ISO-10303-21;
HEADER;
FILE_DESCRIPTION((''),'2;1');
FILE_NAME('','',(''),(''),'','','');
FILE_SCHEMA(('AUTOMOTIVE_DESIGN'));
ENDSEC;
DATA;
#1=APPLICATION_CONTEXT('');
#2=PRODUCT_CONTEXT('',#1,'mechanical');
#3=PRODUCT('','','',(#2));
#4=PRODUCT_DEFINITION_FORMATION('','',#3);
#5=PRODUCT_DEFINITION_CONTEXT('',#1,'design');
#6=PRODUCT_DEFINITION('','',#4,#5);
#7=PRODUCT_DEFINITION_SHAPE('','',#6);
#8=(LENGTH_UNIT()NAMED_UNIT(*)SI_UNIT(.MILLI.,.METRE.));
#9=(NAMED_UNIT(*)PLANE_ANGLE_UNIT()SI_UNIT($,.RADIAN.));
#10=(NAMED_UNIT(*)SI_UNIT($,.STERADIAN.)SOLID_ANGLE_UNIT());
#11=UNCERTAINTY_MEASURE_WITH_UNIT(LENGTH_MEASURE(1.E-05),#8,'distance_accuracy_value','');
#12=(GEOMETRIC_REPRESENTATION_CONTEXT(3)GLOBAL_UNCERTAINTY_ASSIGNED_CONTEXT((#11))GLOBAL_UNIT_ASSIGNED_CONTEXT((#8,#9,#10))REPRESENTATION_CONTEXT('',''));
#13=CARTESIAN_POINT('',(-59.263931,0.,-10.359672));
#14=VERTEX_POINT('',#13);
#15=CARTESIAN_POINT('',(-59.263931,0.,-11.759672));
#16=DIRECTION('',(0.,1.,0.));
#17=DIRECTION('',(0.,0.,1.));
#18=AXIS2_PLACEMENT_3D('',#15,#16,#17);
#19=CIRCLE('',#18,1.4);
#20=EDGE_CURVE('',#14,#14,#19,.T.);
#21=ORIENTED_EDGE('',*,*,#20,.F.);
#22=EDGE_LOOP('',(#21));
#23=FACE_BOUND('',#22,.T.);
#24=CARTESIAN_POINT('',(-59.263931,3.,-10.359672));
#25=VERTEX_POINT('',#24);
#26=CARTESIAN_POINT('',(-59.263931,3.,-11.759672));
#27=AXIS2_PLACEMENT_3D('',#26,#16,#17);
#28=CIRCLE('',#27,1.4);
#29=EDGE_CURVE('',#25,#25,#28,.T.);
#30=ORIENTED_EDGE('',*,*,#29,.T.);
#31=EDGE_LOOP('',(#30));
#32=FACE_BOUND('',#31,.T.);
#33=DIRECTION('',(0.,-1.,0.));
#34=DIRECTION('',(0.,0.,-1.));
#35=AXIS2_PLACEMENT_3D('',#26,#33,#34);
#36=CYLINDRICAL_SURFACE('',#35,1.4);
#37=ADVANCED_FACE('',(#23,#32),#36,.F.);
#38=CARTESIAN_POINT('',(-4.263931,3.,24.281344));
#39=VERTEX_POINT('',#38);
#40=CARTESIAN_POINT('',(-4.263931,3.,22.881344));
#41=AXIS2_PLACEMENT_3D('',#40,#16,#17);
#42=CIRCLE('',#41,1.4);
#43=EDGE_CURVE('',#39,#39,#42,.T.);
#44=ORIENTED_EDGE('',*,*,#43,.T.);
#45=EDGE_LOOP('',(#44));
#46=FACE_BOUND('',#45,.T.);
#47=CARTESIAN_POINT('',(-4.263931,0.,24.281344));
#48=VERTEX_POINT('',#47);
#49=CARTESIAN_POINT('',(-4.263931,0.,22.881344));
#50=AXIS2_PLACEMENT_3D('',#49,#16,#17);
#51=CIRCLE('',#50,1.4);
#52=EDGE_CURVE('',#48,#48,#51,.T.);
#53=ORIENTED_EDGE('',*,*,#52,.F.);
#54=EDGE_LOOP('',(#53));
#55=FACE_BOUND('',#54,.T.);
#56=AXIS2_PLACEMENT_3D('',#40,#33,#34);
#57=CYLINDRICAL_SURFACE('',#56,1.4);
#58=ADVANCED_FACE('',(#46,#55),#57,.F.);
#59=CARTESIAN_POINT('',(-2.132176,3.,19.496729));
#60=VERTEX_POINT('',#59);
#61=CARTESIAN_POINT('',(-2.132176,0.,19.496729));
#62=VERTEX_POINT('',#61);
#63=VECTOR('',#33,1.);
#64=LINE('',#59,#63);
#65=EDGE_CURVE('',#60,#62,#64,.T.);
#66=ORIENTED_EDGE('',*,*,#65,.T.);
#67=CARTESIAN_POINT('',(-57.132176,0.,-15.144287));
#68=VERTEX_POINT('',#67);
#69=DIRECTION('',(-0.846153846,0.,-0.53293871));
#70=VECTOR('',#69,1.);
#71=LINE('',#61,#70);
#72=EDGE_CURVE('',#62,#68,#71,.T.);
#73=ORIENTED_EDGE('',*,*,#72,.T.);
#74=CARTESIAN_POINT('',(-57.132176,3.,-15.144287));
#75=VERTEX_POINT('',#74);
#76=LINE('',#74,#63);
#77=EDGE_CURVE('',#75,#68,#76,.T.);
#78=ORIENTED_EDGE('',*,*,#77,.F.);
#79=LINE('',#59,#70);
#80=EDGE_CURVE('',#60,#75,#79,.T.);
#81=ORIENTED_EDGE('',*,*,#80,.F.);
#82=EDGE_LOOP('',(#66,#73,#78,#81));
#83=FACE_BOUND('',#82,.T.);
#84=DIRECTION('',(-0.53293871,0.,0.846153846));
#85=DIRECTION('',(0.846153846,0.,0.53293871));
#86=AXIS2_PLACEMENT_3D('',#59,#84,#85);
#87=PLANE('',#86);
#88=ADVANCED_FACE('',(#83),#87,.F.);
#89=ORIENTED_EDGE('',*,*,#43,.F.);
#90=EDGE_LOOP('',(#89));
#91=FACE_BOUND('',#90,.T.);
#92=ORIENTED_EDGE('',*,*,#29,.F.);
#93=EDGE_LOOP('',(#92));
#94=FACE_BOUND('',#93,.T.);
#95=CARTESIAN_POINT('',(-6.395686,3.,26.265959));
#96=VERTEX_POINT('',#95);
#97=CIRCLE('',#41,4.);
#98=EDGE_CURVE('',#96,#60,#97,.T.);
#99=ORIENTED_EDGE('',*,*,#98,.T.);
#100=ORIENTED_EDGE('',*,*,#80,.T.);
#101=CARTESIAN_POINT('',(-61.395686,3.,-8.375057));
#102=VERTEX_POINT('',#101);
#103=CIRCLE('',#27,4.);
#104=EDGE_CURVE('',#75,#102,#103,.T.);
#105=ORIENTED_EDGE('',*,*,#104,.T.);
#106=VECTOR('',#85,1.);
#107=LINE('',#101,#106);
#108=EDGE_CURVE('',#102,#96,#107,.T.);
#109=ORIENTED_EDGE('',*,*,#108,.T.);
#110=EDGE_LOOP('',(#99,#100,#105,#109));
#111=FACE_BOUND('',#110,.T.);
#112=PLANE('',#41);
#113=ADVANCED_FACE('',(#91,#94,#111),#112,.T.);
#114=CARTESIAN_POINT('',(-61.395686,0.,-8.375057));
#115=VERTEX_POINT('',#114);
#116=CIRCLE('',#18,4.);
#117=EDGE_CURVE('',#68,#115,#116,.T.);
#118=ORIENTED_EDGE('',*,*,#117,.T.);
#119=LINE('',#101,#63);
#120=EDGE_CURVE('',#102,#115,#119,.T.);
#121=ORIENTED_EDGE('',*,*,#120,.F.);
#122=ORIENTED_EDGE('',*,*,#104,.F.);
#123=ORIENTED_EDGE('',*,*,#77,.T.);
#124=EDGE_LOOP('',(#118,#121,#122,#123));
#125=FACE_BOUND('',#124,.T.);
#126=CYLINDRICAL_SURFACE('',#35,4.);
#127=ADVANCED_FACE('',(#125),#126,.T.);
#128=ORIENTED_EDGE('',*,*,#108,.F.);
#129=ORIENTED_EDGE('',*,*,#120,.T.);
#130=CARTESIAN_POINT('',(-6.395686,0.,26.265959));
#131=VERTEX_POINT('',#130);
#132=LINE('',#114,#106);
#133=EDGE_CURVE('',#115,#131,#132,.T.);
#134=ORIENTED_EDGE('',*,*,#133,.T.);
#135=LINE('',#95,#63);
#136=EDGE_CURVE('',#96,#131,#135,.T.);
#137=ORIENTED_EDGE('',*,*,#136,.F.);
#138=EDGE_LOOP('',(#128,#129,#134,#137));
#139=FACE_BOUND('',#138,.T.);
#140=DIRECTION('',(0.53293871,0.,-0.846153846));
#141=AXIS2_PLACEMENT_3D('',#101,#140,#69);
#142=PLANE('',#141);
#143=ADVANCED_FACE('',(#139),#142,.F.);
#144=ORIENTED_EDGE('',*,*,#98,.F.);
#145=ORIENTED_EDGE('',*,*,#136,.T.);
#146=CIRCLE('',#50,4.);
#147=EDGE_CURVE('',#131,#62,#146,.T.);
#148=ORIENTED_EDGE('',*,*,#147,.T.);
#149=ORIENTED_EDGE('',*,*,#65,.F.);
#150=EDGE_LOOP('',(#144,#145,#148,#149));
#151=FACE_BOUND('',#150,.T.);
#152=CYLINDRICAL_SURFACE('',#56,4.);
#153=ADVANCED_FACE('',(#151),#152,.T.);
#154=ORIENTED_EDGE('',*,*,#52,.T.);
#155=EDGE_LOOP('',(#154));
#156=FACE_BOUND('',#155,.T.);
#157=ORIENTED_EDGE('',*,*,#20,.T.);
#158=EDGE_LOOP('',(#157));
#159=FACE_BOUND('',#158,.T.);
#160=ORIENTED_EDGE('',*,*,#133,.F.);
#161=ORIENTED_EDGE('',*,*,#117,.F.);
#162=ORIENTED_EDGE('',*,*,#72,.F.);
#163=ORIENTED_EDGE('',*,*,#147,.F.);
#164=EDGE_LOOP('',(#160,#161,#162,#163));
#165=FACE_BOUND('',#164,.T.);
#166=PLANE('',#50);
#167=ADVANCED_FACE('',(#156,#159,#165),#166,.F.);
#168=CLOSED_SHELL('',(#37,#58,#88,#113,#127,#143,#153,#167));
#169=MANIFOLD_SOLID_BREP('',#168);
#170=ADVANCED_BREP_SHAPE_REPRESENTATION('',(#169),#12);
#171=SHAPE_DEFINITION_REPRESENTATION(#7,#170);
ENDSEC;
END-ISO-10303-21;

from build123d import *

# Parameters (mm, degrees)
SKETCH1_R           = 1.4
BOSS_EXTRUDE1_DEPTH = 3


with BuildPart() as part:
    # Sketch1 → Boss-Extrude1 (new body)
    with BuildSketch(Plane(origin=(0, 0, 0), x_dir=(1, 0, 0), z_dir=(0, 1, 0))):
        with BuildLine():
            Line((-2.1321761, -19.496728679), (-57.1321761, 15.144287473))
            ThreePointArc((-57.1321761, 15.144287473), (-62.648546324, 13.891426928), (-61.39568578, 8.375056704))
            Line((-61.39568578, 8.375056704), (-6.39568578, -26.265959448))
            ThreePointArc((-6.39568578, -26.265959448), (-0.879315555, -25.013098903), (-2.1321761, -19.496728679))
        make_face()
        with Locations((-4.26393094, -22.881344063)):
            Circle(SKETCH1_R, mode=Mode.SUBTRACT)
        with Locations((-59.26393094, 11.759672088)):
            Circle(SKETCH1_R, mode=Mode.SUBTRACT)
    extrude(amount=BOSS_EXTRUDE1_DEPTH)


solid = part.part
